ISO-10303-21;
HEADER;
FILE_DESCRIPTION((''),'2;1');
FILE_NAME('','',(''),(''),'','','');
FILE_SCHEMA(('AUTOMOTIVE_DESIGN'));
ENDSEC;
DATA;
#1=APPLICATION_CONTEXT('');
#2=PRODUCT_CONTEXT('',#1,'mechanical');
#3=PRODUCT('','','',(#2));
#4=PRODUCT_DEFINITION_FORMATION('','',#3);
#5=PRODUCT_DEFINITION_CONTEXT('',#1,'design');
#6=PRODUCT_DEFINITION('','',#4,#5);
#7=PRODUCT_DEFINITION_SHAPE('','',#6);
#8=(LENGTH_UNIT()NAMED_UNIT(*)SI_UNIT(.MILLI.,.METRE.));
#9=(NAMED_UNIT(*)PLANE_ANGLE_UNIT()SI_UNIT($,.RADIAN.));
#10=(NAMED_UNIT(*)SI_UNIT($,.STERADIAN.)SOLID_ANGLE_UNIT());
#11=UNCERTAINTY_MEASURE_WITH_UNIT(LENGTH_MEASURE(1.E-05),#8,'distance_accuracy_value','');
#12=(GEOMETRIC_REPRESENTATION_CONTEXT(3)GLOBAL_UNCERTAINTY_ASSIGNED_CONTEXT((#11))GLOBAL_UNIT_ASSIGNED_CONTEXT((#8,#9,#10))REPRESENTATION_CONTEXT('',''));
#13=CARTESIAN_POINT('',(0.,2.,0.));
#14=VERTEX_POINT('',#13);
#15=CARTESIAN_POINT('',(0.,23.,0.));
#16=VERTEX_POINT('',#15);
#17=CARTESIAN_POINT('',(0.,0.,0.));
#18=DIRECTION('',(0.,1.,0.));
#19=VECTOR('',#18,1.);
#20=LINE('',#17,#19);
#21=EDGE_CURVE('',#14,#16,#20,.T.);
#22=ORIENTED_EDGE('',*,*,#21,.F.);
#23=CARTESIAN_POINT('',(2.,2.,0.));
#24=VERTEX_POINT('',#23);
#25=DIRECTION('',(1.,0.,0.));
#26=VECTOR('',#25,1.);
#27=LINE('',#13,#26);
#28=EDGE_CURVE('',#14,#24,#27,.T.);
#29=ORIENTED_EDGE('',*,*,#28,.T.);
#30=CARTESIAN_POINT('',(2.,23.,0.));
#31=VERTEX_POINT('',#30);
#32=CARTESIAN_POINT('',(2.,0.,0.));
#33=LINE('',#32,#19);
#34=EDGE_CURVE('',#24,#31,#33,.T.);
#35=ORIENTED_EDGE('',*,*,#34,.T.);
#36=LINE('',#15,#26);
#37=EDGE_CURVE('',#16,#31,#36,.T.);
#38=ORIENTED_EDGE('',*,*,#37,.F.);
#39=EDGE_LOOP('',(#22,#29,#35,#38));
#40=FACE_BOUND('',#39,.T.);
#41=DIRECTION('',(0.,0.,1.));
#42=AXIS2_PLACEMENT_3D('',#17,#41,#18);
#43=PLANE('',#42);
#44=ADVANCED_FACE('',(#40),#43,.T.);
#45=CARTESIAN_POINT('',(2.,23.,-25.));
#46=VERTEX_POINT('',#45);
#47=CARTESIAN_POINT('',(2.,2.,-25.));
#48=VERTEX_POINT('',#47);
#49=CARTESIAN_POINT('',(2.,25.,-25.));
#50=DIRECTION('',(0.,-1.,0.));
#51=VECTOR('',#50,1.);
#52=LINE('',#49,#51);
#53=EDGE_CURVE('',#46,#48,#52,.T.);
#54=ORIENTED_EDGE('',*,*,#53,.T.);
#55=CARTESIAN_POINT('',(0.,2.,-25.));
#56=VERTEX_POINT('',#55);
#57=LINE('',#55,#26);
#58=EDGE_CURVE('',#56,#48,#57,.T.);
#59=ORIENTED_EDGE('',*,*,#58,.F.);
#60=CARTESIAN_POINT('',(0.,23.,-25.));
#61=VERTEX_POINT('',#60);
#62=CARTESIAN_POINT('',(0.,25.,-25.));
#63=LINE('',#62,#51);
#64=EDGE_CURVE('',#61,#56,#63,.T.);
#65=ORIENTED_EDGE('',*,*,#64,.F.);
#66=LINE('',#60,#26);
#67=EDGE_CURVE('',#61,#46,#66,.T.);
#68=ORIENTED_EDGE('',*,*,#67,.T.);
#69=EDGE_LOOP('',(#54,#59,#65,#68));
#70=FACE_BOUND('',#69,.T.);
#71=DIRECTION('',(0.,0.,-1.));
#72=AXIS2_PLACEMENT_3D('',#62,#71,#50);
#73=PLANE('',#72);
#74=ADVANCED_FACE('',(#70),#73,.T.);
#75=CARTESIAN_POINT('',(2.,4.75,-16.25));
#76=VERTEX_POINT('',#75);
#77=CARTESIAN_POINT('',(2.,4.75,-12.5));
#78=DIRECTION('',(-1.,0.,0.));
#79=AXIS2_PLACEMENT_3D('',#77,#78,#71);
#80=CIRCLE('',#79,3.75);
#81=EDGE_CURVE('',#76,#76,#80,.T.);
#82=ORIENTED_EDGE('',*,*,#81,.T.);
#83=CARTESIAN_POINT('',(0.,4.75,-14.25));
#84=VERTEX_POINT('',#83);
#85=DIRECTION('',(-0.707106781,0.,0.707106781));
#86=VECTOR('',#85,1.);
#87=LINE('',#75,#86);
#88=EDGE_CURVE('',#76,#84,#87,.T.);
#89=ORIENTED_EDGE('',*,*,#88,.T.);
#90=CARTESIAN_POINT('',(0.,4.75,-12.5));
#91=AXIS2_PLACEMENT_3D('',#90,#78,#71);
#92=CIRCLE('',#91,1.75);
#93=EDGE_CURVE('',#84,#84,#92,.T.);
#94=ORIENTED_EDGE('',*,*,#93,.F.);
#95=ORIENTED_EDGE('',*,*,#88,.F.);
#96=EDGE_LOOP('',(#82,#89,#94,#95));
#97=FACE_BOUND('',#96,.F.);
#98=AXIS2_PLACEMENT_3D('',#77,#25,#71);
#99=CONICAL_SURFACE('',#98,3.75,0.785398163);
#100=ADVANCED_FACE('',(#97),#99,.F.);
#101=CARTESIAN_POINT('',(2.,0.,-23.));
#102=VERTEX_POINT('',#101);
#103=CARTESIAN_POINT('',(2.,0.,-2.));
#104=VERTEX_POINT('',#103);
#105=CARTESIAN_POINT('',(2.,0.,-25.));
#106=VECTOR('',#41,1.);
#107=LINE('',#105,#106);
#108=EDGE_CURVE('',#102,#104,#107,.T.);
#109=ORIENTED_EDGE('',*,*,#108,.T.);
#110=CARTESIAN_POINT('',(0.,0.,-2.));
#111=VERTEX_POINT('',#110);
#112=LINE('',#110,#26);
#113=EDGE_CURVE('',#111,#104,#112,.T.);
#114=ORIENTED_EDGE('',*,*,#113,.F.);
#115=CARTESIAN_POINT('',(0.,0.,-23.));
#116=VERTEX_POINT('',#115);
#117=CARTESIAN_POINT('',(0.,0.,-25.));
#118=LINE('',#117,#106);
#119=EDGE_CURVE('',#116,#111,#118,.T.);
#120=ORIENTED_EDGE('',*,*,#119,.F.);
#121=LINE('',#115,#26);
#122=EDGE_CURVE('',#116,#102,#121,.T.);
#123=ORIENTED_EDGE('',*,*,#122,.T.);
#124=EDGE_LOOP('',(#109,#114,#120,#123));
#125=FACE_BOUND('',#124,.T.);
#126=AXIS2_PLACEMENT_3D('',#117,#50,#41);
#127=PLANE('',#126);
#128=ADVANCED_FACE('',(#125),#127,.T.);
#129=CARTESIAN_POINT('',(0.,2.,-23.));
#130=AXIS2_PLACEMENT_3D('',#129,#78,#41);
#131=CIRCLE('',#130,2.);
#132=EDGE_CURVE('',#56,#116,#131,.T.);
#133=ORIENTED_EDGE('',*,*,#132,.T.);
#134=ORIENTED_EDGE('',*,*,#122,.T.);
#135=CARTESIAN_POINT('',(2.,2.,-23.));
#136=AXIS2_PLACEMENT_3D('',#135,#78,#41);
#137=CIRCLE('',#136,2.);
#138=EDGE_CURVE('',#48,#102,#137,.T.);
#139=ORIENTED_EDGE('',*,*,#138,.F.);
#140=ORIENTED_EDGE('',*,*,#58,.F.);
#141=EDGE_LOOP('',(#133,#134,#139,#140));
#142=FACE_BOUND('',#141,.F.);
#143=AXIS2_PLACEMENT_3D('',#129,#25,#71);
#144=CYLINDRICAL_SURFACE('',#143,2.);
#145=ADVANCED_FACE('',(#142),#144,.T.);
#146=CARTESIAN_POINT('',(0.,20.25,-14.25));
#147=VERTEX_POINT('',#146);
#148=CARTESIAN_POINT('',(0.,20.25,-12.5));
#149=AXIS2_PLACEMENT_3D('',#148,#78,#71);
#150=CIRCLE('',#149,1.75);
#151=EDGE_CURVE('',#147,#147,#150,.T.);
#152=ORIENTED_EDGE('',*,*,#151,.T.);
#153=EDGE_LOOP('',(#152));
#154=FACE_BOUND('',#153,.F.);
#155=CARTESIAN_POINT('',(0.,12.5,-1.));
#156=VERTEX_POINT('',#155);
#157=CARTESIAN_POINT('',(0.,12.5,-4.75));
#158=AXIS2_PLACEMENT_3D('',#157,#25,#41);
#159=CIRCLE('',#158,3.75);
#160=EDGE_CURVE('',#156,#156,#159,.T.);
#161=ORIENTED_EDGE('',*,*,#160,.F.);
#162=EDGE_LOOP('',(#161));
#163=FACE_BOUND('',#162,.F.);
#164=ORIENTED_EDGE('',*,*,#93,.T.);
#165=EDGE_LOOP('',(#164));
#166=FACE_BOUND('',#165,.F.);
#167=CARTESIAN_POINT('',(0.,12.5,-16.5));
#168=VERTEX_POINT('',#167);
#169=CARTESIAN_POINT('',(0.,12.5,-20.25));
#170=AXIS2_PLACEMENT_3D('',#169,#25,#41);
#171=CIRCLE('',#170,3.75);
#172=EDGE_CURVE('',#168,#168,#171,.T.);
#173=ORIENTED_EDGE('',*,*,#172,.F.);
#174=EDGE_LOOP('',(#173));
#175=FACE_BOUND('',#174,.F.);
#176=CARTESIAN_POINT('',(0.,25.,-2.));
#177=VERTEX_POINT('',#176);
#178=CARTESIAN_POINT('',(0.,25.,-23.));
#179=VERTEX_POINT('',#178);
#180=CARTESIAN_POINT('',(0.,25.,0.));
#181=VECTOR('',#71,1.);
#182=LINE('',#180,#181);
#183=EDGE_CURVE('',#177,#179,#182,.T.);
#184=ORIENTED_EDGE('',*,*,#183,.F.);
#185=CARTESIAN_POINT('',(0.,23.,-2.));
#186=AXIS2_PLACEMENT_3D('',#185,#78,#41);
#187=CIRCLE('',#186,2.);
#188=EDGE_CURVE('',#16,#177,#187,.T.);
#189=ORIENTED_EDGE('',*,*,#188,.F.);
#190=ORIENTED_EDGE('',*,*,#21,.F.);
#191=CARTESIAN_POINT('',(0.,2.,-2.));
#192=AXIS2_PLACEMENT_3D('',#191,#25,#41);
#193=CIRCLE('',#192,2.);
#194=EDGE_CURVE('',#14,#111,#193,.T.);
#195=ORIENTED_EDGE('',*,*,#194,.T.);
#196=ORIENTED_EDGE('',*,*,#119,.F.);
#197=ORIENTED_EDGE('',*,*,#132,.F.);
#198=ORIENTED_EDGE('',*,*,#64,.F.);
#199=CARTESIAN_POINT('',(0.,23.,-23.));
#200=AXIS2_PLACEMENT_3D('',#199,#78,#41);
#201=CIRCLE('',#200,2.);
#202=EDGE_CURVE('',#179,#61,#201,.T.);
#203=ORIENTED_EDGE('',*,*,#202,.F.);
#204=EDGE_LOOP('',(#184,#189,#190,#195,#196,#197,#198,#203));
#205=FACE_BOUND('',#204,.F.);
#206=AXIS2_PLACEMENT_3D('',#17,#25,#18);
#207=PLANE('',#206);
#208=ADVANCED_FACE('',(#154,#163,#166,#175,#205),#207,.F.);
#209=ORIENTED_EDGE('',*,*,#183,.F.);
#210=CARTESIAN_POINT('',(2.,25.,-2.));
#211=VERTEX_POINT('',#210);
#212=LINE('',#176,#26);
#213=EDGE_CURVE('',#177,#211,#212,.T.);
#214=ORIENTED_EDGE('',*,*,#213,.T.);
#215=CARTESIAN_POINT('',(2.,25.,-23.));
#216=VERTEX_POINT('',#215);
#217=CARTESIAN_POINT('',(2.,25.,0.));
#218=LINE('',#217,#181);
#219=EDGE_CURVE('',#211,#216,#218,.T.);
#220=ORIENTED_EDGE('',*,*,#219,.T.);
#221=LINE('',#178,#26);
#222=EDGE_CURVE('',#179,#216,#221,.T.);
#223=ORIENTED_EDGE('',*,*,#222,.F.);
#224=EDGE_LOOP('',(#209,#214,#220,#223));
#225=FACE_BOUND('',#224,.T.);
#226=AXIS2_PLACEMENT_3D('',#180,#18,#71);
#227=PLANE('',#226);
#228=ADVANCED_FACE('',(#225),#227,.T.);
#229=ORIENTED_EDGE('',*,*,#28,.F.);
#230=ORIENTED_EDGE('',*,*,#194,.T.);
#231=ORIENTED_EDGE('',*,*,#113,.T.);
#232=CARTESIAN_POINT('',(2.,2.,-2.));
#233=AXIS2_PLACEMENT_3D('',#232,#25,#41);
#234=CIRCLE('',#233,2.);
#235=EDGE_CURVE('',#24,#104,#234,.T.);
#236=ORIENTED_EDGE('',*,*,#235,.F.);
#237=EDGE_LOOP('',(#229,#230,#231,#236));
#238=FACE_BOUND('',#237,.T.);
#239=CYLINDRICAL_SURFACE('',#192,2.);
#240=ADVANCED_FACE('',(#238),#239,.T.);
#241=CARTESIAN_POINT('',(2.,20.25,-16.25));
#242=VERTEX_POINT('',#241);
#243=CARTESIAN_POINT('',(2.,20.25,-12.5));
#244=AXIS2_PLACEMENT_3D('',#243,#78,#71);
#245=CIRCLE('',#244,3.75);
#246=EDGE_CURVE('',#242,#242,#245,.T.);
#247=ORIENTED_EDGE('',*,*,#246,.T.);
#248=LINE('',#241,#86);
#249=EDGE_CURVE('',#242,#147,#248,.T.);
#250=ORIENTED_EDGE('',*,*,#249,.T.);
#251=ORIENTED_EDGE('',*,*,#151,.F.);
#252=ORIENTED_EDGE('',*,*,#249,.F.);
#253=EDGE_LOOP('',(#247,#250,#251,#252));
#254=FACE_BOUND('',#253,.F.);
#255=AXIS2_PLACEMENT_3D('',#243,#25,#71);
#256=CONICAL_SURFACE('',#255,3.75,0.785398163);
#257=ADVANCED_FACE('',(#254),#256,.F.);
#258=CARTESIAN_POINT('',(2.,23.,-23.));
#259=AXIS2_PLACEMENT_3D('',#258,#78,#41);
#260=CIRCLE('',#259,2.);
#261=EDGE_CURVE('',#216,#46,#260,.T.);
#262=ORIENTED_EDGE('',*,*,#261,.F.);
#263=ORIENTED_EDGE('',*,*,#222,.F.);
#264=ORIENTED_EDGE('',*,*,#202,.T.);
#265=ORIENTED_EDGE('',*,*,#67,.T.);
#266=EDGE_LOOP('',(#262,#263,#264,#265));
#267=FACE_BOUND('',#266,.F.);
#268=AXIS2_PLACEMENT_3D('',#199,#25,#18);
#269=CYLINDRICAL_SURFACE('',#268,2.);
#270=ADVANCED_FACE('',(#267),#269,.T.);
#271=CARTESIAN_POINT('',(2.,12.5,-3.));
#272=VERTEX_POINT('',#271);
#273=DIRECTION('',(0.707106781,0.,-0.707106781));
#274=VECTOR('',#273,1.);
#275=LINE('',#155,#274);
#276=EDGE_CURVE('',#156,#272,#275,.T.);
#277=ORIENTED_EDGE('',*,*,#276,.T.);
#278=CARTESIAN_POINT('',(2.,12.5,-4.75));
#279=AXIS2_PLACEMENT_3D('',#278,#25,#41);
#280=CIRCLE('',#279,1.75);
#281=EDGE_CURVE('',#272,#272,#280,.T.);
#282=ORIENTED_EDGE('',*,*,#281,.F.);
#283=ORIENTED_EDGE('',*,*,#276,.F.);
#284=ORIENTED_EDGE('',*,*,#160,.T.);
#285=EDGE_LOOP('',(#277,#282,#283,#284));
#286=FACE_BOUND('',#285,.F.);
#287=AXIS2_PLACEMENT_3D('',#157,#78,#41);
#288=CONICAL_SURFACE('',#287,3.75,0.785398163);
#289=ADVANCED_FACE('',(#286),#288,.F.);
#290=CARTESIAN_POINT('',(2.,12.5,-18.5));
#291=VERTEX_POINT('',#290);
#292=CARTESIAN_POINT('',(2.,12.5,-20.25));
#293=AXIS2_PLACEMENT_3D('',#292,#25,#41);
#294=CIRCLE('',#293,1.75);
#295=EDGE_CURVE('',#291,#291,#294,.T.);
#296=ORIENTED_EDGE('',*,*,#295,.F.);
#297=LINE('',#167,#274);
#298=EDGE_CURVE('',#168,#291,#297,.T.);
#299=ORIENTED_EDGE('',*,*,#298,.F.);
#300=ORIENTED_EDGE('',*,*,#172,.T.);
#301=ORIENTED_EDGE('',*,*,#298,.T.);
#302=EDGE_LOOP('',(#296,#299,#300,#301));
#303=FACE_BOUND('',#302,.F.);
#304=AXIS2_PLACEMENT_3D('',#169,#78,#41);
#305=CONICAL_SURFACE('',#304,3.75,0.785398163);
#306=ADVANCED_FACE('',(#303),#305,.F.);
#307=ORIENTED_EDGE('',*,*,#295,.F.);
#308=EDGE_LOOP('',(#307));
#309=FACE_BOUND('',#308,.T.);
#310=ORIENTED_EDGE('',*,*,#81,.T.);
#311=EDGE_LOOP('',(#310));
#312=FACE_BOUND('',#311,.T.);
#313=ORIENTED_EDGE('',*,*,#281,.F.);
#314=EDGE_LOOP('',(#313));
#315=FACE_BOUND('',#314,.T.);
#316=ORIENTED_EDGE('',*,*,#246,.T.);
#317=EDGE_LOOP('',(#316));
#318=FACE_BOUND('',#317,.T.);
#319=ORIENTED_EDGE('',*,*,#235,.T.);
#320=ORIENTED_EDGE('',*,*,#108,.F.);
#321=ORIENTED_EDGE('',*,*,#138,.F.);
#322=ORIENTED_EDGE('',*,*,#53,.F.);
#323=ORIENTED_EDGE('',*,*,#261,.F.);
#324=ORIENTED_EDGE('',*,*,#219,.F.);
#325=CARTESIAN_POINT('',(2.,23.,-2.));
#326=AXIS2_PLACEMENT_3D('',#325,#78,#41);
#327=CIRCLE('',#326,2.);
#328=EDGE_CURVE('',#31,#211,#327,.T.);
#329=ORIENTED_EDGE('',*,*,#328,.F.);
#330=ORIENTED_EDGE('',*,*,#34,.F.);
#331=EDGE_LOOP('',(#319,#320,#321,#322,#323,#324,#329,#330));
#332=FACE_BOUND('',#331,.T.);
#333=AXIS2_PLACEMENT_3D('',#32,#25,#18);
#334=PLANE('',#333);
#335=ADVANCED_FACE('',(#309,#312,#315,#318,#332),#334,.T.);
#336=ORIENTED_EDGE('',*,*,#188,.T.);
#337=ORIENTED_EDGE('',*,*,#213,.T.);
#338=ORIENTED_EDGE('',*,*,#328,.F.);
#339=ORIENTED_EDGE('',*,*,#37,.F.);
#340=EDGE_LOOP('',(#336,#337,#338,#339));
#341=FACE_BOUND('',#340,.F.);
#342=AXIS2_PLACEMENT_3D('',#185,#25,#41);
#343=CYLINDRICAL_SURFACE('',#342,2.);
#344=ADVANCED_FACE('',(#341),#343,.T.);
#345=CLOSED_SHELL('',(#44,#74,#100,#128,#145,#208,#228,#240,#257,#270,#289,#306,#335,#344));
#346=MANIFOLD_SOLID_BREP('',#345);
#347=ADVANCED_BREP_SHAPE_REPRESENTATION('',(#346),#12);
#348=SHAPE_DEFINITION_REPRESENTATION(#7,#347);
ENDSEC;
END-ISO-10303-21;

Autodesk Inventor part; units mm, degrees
ref_plane "YZ Plane" through (0, 0, 0) normal (1, 0, 0) x (0, 1, 0)
ref_plane "XZ Plane" through (0, 0, 0) normal (0, 1, 0) x (-1, 0, 0)
ref_plane "XY Plane" through (0, 0, 0) normal (0, 0, 1) x (1, 0, 0)
sketch "Esboço1" plane through (0, 0, 0) normal (1, 0, 0) x (0, 1, 0)
  line L0 (0, 0) -> (25, 0)
  line L1 (25, 0) -> (25, -25)
  line L2 (25, -25) -> (0, -25)
  line L3 (0, -25) -> (0, 0)
  dimension "d0" = 25
  dimension "d1" = 25
extrude "Extrusão1" add sketch "Esboço1" along normal blind 2
fillet "Arredondamento1" radius 2 1 edges at (1, 25, 0)
fillet "Arredondamento2" radius 2 1 edges at (1, 0, 0)
fillet "Arredondamento3" radius 2 1 edges at (1, 25, -25)
fillet "Arredondamento4" radius 2 1 edges at (1, 0, -25)
sketch "Esboço2" plane through (2, 0, 0) normal (1, 0, 0) x (0, 0, -1)
  line L0 (23, 25) -> (2, 25) projected
  line L1 (2, 0) -> (23, 0) projected
  line L2 (0, 23) -> (0, 2) projected
  line L3 (0, 12.5) -> (4.75, 12.5)
  line L4 (25, 2) -> (25, 23) projected
  line L5 (25, 12.5) -> (20.25, 12.5)
  point P0 (0, 0)
  point P1 (12.5, 20.25)
  point P2 (12.5, 4.75)
  dimension "d11" = 4.75
  dimension "d12" = 4.75
hole "Furo1" at (2, 20.25, -12.5) at (2, 4.75, -12.5) direction (-1, 0, 0) diameter 3.242 depth 4 countersink diameter 7.5 countersink angle 90 thread size "M4x0.7" class "6H" standard "ANSI Metric M Profile"
sketch "Esboço3" plane through (0, 0, 0) normal (-1, 0, 0) x (0, 0, 1)
  line L0 (-25, 2) -> (-25, 23) projected
  line L1 (-25, 12.5) -> (-20.25, 12.5)
  line L2 (0, 23) -> (0, 2) projected
  line L3 (0, 12.5) -> (-4.75, 12.5)
  point P0 (0, 0)
  dimension "d20" = 4.75
  dimension "d21" = 4.75
hole "Furo2" at (0, 12.5, -20.25) at (0, 12.5, -4.75) direction (1, 0, 0) diameter 3.242 depth 4 countersink diameter 7.5 countersink angle 90 thread size "M4x0.7" class "6H" standard "ANSI Metric M Profile"
properties part number "TRILHO FRONTAL"
